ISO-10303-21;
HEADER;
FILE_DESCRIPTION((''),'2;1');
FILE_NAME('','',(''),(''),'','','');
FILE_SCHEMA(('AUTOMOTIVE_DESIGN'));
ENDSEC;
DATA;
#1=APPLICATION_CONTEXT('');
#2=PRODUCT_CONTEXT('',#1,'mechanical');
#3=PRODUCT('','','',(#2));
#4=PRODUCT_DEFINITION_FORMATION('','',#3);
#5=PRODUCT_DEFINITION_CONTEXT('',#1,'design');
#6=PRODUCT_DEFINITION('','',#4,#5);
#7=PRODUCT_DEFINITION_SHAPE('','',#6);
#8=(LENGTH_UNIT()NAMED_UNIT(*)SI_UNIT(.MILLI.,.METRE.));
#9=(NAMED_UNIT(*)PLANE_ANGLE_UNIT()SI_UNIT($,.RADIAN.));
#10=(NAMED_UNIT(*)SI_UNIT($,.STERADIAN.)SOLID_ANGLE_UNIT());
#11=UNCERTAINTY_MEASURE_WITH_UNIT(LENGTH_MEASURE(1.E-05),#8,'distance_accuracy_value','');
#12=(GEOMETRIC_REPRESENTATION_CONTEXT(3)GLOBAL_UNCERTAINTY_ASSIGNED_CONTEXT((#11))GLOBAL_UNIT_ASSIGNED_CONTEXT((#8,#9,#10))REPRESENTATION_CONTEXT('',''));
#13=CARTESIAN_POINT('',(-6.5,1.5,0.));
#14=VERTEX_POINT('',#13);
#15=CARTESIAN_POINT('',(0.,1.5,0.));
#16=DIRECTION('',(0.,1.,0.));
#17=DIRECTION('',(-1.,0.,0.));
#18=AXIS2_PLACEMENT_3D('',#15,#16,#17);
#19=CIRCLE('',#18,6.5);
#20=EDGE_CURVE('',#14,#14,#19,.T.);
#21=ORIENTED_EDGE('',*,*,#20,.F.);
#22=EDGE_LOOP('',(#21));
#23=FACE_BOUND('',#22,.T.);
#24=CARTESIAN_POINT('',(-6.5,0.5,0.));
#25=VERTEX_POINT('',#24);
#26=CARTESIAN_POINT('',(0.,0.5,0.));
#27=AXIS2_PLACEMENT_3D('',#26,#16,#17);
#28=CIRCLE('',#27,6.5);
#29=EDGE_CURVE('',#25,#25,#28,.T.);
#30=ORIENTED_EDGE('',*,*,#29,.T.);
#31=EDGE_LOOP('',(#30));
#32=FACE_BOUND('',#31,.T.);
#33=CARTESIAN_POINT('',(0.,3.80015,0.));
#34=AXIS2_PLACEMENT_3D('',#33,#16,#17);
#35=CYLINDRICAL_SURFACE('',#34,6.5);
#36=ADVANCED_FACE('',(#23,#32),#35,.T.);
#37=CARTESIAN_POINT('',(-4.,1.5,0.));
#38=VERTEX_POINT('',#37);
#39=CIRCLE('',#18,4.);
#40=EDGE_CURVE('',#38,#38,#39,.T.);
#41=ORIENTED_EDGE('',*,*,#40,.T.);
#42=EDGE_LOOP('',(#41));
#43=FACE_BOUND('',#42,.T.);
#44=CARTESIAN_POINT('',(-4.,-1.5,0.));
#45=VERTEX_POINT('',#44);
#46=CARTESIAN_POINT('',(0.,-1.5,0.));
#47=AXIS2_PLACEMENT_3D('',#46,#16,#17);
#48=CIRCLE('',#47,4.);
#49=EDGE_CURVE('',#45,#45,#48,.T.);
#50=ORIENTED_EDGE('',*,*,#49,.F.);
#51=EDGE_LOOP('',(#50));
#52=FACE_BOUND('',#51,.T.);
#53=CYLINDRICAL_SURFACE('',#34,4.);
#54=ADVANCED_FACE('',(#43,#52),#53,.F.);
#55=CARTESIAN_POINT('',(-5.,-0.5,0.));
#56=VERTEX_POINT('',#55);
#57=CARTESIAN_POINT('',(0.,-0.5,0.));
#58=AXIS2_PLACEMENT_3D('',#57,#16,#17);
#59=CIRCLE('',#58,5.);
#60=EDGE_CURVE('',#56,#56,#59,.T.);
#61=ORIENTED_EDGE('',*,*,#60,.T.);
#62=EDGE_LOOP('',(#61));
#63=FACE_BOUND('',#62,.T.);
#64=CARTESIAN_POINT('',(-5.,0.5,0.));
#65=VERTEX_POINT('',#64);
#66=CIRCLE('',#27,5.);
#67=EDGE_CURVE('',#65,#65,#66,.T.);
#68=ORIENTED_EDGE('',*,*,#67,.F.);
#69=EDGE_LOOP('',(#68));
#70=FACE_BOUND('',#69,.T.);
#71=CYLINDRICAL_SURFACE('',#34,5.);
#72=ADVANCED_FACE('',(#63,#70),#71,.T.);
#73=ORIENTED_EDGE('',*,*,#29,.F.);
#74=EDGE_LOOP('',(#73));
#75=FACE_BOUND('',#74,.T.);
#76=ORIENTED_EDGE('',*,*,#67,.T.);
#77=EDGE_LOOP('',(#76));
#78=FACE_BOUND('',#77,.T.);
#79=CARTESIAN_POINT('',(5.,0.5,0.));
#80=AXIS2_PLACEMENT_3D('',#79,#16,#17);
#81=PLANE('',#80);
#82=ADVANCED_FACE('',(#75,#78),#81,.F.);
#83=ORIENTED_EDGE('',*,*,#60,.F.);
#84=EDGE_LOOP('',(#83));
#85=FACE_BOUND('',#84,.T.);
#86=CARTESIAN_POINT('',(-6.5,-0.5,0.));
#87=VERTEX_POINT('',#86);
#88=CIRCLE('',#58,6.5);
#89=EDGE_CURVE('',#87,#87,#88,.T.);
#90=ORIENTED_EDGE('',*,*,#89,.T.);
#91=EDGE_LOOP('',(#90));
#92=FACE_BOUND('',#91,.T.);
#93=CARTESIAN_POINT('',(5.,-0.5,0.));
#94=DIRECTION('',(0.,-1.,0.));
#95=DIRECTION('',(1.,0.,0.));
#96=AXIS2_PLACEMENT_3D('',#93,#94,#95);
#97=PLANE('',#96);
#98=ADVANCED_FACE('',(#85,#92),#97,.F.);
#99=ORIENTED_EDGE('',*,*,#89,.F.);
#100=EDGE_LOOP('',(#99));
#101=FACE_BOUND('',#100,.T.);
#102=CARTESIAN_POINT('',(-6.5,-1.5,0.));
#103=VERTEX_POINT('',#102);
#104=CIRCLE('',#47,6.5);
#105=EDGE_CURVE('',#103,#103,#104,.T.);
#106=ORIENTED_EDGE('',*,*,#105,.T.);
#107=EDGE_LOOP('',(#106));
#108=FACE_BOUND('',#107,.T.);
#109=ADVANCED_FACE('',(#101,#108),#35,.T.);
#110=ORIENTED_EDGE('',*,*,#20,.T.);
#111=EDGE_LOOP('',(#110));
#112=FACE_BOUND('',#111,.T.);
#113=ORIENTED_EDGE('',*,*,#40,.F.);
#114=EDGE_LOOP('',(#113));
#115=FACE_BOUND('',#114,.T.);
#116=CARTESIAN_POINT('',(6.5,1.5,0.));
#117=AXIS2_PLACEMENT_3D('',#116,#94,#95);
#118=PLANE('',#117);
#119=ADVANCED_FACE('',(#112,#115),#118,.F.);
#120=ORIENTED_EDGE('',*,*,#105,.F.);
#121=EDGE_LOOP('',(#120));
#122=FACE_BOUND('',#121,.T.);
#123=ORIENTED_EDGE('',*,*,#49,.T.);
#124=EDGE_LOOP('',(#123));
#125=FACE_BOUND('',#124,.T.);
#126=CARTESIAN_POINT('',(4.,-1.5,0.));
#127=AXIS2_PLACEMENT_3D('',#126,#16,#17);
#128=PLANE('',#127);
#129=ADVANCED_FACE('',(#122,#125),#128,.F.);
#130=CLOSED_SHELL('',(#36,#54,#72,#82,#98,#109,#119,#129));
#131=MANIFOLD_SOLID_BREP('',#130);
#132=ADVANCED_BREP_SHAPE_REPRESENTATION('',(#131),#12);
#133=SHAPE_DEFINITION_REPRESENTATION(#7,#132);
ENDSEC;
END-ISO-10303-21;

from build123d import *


with BuildPart() as part:
    # Sketch1 → Revolve1 (revolve)
    with BuildSketch(Plane.XY, mode=Mode.PRIVATE) as revolve1_sk:
        Polygon((5, 0.5), (5, -0.5), (6.5, -0.5), (6.5, -1.5), (4, -1.5), (4, 1.5), (6.5, 1.5), (6.5, 0.5), align=None)
    revolve(revolve1_sk.sketch.rotate(Axis((0, 3.800150025, 0), (0, -1, 0)), 180), axis=Axis((0, 3.800150025, 0), (0, -1, 0)))


solid = part.part
